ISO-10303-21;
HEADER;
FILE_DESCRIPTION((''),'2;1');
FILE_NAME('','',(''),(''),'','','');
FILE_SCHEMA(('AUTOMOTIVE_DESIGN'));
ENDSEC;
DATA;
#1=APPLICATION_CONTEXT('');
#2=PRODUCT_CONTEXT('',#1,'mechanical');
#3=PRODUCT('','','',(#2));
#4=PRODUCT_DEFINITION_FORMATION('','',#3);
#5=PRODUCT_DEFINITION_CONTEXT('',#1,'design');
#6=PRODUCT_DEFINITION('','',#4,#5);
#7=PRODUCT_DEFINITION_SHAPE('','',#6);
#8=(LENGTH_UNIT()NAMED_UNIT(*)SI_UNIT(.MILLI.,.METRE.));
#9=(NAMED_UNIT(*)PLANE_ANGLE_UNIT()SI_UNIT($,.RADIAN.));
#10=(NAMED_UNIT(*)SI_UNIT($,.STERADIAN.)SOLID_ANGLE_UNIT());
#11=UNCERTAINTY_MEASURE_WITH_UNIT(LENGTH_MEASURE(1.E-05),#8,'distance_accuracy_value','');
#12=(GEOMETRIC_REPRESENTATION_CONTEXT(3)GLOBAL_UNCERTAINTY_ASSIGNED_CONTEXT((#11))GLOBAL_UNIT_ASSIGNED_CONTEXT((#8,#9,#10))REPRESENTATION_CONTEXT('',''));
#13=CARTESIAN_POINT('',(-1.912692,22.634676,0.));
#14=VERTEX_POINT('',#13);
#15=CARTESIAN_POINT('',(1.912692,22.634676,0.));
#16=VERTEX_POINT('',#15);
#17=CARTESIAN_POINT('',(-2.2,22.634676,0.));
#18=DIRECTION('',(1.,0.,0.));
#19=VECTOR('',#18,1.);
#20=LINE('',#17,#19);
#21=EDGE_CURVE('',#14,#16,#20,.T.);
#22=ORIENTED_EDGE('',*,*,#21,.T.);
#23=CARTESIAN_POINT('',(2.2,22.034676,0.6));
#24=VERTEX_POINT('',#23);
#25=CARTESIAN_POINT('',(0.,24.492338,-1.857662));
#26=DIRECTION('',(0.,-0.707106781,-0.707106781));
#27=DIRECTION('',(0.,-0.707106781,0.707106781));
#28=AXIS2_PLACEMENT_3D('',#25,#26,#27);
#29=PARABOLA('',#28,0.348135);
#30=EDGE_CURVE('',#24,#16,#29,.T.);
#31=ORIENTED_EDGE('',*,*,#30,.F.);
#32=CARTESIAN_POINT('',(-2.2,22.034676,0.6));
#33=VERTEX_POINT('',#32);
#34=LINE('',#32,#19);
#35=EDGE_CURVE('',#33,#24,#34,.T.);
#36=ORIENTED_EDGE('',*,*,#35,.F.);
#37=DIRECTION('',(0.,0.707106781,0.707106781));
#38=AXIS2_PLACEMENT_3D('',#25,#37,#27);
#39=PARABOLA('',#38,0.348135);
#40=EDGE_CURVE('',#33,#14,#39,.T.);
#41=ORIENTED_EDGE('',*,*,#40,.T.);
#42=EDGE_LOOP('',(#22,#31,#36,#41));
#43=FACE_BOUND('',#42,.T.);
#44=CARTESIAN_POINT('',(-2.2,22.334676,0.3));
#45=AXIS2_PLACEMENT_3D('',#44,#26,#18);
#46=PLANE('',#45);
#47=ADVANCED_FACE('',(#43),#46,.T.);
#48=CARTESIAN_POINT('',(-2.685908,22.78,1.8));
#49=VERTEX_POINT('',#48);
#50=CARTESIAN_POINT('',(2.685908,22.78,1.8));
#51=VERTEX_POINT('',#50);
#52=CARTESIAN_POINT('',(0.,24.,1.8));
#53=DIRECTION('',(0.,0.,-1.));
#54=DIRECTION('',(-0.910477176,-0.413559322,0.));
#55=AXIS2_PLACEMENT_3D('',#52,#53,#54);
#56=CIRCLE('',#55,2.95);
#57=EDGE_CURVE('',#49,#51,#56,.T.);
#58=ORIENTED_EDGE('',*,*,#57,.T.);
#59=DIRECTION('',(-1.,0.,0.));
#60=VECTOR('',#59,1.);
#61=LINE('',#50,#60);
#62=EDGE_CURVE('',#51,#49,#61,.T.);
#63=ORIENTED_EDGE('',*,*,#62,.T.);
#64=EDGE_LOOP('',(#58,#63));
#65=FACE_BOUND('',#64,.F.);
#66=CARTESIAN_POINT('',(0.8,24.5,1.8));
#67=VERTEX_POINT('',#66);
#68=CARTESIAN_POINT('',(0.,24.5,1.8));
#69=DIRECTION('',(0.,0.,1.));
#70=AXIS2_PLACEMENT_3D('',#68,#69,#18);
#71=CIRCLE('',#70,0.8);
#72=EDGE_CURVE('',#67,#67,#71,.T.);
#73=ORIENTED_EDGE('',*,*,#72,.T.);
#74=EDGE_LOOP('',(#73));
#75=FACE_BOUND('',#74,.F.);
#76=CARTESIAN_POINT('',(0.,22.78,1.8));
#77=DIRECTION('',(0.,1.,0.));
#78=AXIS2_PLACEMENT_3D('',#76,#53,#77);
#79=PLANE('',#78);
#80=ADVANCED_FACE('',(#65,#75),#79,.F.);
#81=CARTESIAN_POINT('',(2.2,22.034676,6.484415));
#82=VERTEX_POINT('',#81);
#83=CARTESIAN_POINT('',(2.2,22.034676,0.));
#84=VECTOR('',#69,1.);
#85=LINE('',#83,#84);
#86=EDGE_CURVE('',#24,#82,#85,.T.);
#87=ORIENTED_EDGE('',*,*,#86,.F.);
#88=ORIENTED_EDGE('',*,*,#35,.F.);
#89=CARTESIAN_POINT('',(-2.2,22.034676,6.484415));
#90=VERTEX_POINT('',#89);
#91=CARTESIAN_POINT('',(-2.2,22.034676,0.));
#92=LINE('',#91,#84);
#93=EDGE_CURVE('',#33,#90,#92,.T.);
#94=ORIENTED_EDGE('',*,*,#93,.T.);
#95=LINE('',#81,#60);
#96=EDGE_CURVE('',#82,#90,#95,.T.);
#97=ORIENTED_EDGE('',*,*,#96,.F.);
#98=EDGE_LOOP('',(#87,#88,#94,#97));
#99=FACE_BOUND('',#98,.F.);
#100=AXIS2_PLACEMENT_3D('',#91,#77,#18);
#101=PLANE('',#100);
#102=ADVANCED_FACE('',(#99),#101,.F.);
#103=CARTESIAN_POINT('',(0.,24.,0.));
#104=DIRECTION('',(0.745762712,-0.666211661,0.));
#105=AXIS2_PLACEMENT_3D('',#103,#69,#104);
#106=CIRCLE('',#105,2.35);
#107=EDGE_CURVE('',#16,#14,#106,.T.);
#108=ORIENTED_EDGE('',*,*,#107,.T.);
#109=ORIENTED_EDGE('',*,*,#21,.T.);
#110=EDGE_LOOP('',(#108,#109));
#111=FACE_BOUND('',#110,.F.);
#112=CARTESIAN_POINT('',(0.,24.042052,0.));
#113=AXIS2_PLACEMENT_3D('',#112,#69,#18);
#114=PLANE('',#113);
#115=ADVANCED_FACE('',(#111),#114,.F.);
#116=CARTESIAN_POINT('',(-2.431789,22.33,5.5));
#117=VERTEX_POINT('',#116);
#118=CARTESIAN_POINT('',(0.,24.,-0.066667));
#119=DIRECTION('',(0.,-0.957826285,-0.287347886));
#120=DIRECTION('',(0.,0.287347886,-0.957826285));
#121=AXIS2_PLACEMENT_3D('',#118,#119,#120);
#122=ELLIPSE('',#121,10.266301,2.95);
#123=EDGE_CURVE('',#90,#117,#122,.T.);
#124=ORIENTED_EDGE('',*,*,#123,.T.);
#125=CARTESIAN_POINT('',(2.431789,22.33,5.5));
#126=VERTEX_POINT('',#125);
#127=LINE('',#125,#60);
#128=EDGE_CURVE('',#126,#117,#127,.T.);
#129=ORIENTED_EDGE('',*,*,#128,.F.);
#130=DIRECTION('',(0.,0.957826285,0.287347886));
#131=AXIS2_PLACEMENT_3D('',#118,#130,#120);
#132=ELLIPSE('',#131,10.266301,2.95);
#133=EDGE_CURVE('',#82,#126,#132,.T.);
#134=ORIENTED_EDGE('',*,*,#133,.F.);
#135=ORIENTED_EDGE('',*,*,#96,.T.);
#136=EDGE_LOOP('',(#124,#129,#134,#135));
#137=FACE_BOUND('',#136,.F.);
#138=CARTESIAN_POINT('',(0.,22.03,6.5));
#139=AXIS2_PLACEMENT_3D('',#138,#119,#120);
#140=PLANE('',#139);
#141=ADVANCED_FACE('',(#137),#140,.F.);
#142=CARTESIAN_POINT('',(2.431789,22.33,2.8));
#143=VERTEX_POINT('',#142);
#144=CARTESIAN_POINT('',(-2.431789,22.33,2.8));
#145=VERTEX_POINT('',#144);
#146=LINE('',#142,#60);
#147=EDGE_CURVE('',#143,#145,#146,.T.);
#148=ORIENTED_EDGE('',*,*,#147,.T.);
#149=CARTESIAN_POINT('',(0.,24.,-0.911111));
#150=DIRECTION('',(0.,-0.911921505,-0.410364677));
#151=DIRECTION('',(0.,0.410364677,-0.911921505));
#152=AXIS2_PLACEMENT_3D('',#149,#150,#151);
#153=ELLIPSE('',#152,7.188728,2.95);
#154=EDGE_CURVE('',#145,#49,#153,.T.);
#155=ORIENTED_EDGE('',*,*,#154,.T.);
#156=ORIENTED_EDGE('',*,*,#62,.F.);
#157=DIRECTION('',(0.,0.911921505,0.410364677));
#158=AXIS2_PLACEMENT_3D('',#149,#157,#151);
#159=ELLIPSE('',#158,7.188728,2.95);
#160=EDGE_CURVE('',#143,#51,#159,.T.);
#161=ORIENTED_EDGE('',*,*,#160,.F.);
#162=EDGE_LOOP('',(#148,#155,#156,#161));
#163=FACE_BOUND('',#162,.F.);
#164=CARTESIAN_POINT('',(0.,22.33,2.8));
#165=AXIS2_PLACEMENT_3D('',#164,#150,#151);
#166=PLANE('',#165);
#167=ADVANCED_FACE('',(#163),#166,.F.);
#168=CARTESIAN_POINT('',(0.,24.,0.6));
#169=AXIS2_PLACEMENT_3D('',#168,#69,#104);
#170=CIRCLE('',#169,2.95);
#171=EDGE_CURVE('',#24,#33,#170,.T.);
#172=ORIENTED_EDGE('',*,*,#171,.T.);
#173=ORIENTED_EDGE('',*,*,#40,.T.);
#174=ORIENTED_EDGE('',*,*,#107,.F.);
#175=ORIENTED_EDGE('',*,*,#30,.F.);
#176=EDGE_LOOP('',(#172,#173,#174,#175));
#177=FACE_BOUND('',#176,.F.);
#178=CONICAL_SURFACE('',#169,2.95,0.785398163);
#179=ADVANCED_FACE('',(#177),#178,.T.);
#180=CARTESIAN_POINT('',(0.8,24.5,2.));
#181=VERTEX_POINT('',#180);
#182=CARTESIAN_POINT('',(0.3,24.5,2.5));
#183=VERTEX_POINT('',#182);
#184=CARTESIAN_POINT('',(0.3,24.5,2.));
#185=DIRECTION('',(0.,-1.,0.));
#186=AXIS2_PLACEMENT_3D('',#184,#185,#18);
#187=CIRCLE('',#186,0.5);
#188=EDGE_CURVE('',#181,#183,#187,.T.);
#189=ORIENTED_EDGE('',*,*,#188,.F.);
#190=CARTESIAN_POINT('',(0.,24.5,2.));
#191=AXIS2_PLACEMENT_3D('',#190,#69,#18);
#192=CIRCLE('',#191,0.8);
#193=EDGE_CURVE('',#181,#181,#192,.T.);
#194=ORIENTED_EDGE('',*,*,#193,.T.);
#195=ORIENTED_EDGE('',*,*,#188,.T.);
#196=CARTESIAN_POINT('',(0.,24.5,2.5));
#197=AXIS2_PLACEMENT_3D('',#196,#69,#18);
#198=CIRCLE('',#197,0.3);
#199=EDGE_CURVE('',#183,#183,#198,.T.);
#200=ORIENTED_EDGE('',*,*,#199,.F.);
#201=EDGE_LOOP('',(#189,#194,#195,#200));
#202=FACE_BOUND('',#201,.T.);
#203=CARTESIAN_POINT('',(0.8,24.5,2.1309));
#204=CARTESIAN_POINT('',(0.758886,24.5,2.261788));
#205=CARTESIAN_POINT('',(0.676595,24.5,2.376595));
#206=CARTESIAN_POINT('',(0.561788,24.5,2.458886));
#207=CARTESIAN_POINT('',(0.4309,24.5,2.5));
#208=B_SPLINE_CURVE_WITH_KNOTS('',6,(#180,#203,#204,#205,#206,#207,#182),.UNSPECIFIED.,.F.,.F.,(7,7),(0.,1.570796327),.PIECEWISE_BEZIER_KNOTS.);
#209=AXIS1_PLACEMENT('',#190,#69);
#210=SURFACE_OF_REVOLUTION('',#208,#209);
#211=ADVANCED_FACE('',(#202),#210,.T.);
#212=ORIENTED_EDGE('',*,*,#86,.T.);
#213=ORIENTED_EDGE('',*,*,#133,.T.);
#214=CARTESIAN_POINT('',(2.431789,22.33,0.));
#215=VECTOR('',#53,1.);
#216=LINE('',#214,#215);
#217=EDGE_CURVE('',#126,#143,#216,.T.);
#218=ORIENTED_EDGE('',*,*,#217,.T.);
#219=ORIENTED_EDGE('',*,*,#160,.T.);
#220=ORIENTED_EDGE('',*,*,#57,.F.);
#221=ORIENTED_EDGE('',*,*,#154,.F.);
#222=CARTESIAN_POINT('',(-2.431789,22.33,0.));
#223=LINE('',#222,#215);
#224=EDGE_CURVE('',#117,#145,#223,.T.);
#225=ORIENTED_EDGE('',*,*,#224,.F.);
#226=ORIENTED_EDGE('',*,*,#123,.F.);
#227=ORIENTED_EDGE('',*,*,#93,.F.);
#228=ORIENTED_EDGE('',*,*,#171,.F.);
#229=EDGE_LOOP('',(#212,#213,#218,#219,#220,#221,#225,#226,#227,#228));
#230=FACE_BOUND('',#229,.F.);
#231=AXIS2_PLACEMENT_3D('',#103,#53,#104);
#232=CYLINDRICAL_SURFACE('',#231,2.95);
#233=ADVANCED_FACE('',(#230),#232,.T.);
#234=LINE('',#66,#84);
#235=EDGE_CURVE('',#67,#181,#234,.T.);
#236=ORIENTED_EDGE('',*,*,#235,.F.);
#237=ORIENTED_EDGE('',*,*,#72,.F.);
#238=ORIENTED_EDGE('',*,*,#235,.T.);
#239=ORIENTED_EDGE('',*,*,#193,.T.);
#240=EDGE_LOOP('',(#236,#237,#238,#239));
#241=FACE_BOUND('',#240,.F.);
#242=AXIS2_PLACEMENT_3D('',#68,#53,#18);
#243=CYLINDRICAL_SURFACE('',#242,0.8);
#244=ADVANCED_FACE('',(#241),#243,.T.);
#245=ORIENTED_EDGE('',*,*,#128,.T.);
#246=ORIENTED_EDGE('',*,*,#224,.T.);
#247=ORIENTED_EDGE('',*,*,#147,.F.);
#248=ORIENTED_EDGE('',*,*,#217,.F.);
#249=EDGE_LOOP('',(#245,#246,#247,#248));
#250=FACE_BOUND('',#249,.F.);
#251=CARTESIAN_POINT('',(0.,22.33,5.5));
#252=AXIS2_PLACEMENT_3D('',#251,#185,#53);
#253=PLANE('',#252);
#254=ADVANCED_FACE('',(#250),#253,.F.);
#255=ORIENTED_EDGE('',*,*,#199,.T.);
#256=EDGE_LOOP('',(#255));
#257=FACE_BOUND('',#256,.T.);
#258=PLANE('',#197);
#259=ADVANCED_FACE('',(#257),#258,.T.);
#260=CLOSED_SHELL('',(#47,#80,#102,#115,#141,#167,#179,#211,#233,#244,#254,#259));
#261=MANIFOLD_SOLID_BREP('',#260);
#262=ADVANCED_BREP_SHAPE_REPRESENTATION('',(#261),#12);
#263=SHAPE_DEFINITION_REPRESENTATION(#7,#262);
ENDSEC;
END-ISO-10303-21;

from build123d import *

# Parameters (mm, degrees)
PAD003_DEPTH         = 6.5
POCKET004_DEPTH      = 2.951
POCKET004_DEPTH_BACK = 2.951
SKETCH013_R          = 0.8
PAD006_DEPTH         = 0.7
FILLET_R             = 0.5
CHAMFER004_SIZE      = 0.6


with BuildPart() as part:
    # Sketch004 → Pad003 (new body)
    with BuildSketch(Plane.XY):
        with BuildLine():
            ThreePointArc((2.2, -1.9653244007), (0, 2.95), (-2.2, -1.9653244007))
            Line((-2.2, -1.9653244007), (2.2, -1.9653244007))
        make_face()
    extrude(amount=PAD003_DEPTH)

    # Sketch014 → Pocket004 (cut, two sides)
    with BuildSketch(Plane.YZ) as pocket004_sk:
        Polygon((-1.97, 6.5), (-1.67, 5.5), (-1.67, 2.8), (-1.22, 1.8), (4, 1.8), (4, 6.5), align=None)
    extrude(amount=-POCKET004_DEPTH, mode=Mode.SUBTRACT)
    extrude(pocket004_sk.sketch, amount=POCKET004_DEPTH_BACK, mode=Mode.SUBTRACT)

    # Sketch013 (on Face7 of Pocket004) → Pad006 (join)
    with BuildSketch(Plane.XY.offset(1.8)):
        with Locations((0, 0.5)):
            Circle(SKETCH013_R)
    extrude(amount=PAD006_DEPTH)

    # Fillet
    fillet_edges = [part.edges().sort_by_distance(p)[0] for p in [
        (-0.8, 0.5, 2.5),
    ]]
    fillet(fillet_edges, radius=FILLET_R)

    # Chamfer004
    chamfer004_edges = [part.edges().sort_by_distance(p)[0] for p in [
        (0, 2.95, 0),
        (0, -1.965324, 0),
    ]]
    chamfer(chamfer004_edges, length=CHAMFER004_SIZE)


with BuildPart() as part_1:
    # Body023 placement: moved
    add(part.part.moved(Location((0, 24, 0))))


solid = part_1.part
